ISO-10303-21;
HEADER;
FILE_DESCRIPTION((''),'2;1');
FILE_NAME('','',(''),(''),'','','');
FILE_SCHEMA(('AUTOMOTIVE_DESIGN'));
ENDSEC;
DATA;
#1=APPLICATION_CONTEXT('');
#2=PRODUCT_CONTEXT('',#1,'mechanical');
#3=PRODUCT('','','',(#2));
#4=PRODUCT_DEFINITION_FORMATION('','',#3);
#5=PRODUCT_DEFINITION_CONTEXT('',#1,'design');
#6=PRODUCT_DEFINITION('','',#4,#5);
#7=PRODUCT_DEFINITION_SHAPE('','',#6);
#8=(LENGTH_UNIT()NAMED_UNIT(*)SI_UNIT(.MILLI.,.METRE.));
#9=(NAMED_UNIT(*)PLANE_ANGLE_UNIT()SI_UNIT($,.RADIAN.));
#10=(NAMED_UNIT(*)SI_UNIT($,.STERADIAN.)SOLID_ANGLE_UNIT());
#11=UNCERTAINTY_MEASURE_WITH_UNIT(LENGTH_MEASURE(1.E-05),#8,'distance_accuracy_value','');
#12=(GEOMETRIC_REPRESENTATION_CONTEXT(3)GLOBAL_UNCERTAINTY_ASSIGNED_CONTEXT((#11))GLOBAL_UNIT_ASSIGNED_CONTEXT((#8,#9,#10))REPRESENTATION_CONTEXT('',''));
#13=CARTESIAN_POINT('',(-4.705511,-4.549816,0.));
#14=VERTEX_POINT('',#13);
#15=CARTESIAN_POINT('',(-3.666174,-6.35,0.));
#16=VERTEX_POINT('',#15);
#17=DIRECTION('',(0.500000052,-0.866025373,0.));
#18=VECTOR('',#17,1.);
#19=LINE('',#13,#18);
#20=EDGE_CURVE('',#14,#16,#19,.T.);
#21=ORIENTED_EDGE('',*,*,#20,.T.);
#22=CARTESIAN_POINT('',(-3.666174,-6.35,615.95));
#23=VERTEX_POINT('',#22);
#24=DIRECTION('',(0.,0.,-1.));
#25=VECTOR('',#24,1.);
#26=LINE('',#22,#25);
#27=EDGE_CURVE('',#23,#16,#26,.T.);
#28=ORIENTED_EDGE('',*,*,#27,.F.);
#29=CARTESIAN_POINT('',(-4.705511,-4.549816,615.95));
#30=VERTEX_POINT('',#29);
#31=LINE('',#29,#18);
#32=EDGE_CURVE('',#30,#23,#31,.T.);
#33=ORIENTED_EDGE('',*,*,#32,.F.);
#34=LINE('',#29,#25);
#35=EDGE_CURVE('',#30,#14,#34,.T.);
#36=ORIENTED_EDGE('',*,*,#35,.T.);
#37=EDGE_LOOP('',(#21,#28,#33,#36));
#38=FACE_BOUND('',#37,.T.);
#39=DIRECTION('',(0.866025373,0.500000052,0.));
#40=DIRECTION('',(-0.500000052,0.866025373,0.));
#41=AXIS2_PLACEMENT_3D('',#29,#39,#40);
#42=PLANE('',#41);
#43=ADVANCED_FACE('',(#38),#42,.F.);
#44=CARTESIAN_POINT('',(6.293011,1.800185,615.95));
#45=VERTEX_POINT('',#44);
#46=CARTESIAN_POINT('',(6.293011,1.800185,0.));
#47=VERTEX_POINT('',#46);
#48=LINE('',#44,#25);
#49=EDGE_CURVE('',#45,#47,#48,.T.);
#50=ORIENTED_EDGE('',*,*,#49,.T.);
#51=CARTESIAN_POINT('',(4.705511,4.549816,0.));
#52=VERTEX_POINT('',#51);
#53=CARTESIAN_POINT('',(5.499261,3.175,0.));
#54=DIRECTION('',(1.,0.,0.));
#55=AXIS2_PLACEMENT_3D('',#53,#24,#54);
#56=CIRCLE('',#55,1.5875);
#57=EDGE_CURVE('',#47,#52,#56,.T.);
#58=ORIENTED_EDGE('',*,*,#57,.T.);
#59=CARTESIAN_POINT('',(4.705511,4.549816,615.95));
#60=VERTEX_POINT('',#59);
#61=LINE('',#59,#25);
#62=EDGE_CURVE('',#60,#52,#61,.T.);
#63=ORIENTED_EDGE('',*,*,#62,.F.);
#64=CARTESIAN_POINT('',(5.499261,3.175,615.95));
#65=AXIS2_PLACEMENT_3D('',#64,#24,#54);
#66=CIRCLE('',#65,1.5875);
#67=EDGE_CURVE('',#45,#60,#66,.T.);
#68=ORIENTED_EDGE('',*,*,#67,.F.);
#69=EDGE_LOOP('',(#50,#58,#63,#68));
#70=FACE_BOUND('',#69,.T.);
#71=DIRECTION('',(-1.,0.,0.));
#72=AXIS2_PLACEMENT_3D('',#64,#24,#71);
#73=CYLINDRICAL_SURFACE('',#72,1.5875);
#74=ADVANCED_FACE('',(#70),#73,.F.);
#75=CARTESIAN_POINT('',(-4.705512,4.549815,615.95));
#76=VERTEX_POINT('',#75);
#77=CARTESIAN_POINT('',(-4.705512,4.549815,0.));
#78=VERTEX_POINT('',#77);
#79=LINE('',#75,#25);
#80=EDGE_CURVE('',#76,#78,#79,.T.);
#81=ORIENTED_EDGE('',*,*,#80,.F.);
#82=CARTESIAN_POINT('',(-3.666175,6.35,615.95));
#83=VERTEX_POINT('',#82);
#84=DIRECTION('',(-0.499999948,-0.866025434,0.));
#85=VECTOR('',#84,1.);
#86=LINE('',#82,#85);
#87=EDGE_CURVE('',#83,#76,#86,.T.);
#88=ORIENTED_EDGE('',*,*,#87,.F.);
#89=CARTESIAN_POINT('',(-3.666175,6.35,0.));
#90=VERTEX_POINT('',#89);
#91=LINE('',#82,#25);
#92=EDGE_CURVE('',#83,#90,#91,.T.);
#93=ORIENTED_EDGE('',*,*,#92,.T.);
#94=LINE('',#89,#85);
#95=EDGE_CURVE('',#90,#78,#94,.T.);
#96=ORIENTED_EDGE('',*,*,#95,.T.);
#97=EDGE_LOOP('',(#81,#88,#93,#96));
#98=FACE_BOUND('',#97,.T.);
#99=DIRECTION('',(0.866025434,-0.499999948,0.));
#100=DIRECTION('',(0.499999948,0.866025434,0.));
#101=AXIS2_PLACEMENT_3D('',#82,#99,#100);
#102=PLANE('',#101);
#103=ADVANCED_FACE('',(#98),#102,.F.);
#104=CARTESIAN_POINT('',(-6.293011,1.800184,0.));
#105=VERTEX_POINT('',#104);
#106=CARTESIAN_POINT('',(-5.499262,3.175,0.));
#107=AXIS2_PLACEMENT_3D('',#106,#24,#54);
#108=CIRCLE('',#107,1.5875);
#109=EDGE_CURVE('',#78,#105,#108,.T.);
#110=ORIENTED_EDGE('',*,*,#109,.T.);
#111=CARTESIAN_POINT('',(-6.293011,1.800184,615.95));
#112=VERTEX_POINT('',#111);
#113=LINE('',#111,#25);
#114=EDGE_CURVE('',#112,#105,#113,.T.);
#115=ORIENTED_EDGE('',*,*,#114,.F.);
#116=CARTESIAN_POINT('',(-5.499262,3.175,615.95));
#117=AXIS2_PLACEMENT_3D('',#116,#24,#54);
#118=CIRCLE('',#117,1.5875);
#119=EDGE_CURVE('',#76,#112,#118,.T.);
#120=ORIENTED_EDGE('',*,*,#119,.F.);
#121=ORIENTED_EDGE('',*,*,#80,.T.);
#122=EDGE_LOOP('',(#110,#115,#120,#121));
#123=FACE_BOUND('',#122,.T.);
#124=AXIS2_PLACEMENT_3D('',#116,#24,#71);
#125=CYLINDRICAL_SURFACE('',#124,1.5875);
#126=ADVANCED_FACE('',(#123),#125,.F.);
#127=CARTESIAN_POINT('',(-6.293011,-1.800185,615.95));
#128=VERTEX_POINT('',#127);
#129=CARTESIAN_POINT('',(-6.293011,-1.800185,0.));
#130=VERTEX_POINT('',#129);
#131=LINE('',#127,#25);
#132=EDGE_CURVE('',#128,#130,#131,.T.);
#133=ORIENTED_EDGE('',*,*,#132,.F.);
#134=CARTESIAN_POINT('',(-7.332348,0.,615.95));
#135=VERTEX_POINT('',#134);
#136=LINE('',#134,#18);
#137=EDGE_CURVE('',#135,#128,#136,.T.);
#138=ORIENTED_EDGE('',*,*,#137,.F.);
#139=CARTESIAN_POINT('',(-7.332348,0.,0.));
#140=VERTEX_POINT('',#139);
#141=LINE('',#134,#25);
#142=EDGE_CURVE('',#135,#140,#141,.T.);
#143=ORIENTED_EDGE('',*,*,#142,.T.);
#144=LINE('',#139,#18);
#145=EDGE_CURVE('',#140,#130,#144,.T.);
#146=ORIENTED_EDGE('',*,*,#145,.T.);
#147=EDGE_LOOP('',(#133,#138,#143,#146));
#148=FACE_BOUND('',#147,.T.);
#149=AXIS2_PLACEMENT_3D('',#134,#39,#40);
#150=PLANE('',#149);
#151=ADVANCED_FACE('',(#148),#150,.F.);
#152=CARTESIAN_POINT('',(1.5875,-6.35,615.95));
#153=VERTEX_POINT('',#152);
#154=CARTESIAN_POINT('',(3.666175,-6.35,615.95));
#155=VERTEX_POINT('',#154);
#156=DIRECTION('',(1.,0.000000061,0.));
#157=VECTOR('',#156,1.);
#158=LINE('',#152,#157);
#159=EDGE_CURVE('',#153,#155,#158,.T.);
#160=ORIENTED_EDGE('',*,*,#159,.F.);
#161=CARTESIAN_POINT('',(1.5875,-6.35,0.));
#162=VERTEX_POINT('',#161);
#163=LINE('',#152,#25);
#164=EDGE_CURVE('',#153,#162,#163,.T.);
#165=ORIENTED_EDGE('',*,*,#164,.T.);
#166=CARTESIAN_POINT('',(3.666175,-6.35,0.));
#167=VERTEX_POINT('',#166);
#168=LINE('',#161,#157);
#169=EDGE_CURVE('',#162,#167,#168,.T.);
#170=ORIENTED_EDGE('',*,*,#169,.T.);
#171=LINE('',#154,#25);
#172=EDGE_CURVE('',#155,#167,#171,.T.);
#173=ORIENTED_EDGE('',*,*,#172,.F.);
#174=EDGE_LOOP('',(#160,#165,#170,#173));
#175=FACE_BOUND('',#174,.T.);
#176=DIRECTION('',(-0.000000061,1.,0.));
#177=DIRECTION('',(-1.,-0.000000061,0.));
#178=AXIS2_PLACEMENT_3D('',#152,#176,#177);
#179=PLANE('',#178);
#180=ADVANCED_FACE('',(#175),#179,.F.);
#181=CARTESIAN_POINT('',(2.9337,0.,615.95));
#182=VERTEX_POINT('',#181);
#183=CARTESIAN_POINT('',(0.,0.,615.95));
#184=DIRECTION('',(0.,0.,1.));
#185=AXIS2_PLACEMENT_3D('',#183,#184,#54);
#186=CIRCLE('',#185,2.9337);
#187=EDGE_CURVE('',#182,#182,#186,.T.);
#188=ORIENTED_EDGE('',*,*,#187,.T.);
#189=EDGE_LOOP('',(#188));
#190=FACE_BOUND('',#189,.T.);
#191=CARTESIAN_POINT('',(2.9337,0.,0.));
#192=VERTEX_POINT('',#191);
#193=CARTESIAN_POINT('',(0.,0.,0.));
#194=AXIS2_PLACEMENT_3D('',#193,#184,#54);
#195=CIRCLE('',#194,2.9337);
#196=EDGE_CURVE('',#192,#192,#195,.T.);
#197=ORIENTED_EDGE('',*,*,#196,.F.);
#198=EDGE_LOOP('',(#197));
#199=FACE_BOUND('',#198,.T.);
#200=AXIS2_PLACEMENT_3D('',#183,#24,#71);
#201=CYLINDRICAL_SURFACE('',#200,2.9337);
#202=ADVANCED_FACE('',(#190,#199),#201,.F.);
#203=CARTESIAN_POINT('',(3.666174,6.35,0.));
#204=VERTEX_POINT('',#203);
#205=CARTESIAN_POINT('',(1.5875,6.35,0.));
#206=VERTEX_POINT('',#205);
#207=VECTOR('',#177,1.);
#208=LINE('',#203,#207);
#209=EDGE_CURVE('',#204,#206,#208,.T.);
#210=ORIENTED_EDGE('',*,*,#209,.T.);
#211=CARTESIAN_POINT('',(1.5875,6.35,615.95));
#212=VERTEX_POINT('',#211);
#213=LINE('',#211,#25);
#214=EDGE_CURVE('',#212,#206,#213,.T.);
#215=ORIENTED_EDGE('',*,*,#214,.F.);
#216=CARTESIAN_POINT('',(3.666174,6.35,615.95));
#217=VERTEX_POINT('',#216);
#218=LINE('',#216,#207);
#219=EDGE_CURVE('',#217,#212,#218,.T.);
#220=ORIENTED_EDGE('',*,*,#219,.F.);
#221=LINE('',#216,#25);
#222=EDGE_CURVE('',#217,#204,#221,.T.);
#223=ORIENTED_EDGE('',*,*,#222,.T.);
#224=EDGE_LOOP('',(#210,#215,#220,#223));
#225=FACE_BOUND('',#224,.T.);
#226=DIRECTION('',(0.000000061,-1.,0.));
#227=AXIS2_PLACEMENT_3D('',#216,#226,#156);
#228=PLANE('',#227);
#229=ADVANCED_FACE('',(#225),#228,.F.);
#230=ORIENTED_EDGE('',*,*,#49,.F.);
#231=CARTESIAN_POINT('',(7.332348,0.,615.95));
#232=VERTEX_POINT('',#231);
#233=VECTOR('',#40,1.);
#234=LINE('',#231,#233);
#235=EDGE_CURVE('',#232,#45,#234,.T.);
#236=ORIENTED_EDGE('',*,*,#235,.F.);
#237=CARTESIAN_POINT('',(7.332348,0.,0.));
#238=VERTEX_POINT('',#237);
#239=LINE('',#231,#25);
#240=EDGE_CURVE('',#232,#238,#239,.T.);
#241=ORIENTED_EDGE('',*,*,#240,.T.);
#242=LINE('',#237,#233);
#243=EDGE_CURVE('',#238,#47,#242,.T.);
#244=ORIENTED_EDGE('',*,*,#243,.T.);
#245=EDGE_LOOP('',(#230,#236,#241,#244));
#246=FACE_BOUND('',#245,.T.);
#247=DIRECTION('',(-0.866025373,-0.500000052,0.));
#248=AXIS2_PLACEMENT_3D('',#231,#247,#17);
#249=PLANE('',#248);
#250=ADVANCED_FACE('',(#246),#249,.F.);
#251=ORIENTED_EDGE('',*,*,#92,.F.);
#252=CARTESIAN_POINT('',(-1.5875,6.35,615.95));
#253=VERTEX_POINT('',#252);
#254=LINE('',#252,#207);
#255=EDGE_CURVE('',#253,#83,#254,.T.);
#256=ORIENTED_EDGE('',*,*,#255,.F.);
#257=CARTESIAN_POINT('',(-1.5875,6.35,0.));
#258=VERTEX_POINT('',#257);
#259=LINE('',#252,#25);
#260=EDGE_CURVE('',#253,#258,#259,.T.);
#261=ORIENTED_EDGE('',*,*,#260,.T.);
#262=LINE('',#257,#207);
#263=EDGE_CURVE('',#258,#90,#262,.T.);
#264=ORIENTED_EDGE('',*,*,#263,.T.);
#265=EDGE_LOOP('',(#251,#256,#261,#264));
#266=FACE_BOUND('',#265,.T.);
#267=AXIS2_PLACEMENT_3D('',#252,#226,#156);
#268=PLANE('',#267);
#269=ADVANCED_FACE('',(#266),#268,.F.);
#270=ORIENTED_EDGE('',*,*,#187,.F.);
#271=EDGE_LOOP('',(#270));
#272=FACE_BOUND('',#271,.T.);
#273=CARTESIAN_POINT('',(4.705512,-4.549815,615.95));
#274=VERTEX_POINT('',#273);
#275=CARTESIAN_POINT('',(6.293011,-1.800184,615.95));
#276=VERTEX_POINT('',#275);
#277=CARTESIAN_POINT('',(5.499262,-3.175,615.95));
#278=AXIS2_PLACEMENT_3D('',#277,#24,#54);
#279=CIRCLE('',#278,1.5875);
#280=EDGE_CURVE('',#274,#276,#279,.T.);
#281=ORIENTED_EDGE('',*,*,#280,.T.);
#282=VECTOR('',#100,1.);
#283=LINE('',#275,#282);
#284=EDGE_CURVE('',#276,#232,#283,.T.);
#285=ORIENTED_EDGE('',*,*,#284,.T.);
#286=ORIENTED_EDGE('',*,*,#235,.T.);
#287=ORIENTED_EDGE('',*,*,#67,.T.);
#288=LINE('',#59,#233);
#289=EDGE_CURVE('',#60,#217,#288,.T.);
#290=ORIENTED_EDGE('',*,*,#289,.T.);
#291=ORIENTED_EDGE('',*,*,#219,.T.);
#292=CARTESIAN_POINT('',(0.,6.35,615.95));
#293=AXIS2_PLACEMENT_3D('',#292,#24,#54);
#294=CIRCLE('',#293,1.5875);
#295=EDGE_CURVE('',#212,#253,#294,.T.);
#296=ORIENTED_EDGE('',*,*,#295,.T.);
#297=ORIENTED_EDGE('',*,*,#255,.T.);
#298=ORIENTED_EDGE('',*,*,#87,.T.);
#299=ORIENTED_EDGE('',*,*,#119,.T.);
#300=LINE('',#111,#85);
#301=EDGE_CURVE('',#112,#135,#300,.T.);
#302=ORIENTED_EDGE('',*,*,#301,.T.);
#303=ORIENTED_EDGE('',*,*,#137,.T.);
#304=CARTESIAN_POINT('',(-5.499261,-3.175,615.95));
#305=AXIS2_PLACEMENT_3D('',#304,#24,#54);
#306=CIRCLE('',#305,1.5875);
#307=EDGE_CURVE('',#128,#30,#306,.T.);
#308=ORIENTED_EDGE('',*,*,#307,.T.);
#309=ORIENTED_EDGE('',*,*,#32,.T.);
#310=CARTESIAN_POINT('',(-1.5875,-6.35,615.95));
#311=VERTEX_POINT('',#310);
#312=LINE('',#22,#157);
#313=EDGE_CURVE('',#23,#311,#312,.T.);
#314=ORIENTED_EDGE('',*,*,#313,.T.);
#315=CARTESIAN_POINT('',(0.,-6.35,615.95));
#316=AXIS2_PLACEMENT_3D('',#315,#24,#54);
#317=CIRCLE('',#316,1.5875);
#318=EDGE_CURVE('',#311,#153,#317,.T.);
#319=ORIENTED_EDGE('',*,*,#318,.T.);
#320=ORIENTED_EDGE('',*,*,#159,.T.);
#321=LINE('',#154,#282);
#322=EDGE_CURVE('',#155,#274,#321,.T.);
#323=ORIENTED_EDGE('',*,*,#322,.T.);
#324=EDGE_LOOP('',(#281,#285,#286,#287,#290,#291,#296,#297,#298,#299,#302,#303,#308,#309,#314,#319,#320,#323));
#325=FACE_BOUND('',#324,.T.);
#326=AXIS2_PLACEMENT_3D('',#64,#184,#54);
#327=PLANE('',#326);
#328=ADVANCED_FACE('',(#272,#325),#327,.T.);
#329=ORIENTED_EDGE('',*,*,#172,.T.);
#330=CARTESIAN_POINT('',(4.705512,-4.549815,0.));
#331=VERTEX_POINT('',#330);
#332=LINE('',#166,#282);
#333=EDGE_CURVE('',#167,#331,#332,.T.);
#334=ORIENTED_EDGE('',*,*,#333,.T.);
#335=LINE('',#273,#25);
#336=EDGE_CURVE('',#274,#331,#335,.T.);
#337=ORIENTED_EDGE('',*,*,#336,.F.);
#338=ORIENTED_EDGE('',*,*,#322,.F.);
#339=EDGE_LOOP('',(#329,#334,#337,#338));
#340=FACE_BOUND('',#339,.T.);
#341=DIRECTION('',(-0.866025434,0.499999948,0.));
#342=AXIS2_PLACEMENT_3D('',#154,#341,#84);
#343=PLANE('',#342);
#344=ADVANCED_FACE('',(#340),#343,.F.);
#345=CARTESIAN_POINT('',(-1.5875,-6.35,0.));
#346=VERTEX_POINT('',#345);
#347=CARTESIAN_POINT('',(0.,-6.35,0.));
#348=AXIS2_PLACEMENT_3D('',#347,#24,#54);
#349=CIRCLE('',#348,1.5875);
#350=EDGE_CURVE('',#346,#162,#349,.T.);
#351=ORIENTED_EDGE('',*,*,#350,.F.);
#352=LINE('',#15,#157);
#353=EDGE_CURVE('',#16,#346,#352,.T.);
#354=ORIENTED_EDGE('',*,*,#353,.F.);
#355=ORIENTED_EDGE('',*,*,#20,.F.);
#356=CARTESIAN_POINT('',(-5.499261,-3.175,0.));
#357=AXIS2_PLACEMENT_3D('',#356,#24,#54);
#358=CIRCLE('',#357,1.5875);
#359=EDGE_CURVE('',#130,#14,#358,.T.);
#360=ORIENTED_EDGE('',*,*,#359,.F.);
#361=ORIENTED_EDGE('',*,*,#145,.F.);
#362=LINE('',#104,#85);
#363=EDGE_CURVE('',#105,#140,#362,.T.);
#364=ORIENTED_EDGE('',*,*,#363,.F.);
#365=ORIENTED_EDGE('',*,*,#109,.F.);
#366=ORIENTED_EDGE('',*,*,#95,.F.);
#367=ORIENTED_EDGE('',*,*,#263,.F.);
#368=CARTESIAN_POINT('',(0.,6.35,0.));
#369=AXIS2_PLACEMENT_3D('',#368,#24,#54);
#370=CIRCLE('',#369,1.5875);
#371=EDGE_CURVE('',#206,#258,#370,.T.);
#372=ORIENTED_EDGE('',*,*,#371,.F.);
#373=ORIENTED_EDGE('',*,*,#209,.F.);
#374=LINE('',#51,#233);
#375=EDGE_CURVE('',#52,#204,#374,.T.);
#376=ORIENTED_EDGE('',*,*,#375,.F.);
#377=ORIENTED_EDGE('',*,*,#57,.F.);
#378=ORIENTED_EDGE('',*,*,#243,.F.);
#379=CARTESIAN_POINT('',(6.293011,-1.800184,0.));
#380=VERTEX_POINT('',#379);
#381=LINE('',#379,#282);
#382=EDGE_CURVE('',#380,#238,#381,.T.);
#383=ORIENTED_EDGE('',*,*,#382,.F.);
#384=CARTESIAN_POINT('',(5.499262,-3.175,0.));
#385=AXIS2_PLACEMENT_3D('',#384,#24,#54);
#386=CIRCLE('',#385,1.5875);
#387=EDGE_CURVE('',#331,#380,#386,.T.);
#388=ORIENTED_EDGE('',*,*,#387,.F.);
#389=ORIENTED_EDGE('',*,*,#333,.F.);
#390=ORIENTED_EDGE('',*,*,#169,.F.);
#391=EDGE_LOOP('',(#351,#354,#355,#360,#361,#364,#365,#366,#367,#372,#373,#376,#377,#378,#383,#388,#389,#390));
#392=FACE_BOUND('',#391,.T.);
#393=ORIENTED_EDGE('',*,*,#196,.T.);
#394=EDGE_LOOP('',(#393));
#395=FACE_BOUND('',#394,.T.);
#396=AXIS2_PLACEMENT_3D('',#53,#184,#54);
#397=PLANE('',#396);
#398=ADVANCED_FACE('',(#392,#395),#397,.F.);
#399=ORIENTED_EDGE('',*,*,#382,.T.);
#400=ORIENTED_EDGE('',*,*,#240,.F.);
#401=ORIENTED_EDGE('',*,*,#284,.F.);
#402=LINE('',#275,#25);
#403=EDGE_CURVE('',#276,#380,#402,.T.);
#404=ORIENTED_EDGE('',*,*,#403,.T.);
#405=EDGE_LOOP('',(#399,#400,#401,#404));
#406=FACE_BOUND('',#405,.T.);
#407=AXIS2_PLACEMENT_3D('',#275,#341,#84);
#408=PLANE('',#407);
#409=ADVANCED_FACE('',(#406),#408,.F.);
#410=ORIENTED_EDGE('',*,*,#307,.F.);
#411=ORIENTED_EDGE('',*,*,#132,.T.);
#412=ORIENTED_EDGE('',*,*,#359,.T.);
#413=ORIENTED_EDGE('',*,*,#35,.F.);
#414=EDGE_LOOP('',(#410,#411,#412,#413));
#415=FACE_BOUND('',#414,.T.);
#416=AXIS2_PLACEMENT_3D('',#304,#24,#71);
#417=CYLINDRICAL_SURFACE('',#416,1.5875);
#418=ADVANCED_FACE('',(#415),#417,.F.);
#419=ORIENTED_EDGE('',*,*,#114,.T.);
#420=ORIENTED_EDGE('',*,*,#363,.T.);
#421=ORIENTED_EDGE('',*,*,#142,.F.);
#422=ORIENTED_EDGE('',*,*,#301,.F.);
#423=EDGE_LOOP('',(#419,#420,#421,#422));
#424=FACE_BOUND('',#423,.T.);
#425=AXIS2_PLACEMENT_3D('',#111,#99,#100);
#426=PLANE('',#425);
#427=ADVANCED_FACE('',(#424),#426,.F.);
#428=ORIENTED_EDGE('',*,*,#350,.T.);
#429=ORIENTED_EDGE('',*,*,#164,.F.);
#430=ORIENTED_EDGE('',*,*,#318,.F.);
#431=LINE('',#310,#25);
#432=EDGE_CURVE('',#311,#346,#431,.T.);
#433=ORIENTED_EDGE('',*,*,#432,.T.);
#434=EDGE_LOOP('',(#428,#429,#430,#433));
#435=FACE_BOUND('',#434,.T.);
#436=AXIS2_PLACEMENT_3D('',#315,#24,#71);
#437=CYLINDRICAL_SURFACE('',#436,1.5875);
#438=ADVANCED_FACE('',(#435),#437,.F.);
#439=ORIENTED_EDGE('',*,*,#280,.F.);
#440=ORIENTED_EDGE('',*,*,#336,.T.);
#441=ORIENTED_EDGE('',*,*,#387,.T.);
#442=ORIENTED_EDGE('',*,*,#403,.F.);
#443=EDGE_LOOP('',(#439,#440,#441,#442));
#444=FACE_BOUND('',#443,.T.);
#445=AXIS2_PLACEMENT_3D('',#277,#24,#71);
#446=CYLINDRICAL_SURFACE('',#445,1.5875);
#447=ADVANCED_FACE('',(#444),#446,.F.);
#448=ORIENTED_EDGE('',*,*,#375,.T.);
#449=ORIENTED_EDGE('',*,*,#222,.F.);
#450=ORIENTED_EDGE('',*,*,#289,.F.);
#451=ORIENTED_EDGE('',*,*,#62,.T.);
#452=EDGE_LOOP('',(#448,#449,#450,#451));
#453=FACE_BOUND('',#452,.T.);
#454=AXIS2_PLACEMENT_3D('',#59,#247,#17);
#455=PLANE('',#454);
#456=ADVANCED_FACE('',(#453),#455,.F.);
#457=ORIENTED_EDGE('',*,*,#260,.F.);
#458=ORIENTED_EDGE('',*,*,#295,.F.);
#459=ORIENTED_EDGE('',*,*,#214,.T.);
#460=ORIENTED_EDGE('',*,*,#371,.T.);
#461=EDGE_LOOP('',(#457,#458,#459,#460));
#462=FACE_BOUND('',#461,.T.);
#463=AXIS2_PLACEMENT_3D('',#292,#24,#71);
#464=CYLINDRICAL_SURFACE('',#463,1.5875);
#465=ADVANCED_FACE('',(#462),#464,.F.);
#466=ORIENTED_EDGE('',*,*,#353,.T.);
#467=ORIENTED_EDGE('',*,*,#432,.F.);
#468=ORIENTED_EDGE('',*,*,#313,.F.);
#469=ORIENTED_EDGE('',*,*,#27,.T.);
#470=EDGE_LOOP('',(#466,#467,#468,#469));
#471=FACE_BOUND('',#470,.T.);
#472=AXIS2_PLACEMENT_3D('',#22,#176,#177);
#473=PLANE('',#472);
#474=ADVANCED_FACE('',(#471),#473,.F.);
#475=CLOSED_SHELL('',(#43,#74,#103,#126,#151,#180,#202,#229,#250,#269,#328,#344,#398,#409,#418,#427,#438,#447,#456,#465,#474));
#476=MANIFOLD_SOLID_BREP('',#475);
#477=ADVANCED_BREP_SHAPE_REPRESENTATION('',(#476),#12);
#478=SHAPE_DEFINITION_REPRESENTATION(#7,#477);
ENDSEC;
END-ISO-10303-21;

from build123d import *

# Parameters (mm, degrees)
SKETCH1_R           = 2.9337
BOSS_EXTRUDE1_DEPTH = 615.95


with BuildPart() as part:
    # Sketch1 → Boss-Extrude1 (new body)
    with BuildSketch(Plane.XY):
        with BuildLine():
            Line((-1.587500385, 6.349999904), (-3.666174594, 6.349999778))
            Line((-3.666174594, 6.349999778), (-4.70551159, 4.549815043))
            ThreePointArc((-4.70551159, 4.549815043), (-4.12444613, 2.38124975), (-6.293011423, 1.80018429))
            Line((-6.293011423, 1.80018429), (-7.332348419, -4.44e-07))
            Line((-7.332348419, -4.44e-07), (-6.293011205, -1.800185053))
            ThreePointArc((-6.293011205, -1.800185053), (-4.124445841, -2.38125025), (-4.705511038, -4.549815614))
            Line((-4.705511038, -4.549815614), (-3.666173825, -6.350000222))
            Line((-3.666173825, -6.350000222), (-1.587499615, -6.350000096))
            ThreePointArc((-1.587499615, -6.350000096), (2.89e-07, -4.7625), (1.587500385, -6.349999904))
            Line((1.587500385, -6.349999904), (3.666174594, -6.349999778))
            Line((3.666174594, -6.349999778), (4.70551159, -4.549815043))
            ThreePointArc((4.70551159, -4.549815043), (4.12444613, -2.38124975), (6.293011423, -1.80018429))
            Line((6.293011423, -1.80018429), (7.332348419, 4.44e-07))
            Line((7.332348419, 4.44e-07), (6.293011205, 1.800185053))
            ThreePointArc((6.293011205, 1.800185053), (4.124445841, 2.38125025), (4.705511038, 4.549815614))
            Line((4.705511038, 4.549815614), (3.666173825, 6.350000222))
            Line((3.666173825, 6.350000222), (1.587499615, 6.350000096))
            ThreePointArc((1.587499615, 6.350000096), (-2.89e-07, 4.7625), (-1.587500385, 6.349999904))
        make_face()
        Circle(SKETCH1_R, mode=Mode.SUBTRACT)
    extrude(amount=BOSS_EXTRUDE1_DEPTH)


solid = part.part
